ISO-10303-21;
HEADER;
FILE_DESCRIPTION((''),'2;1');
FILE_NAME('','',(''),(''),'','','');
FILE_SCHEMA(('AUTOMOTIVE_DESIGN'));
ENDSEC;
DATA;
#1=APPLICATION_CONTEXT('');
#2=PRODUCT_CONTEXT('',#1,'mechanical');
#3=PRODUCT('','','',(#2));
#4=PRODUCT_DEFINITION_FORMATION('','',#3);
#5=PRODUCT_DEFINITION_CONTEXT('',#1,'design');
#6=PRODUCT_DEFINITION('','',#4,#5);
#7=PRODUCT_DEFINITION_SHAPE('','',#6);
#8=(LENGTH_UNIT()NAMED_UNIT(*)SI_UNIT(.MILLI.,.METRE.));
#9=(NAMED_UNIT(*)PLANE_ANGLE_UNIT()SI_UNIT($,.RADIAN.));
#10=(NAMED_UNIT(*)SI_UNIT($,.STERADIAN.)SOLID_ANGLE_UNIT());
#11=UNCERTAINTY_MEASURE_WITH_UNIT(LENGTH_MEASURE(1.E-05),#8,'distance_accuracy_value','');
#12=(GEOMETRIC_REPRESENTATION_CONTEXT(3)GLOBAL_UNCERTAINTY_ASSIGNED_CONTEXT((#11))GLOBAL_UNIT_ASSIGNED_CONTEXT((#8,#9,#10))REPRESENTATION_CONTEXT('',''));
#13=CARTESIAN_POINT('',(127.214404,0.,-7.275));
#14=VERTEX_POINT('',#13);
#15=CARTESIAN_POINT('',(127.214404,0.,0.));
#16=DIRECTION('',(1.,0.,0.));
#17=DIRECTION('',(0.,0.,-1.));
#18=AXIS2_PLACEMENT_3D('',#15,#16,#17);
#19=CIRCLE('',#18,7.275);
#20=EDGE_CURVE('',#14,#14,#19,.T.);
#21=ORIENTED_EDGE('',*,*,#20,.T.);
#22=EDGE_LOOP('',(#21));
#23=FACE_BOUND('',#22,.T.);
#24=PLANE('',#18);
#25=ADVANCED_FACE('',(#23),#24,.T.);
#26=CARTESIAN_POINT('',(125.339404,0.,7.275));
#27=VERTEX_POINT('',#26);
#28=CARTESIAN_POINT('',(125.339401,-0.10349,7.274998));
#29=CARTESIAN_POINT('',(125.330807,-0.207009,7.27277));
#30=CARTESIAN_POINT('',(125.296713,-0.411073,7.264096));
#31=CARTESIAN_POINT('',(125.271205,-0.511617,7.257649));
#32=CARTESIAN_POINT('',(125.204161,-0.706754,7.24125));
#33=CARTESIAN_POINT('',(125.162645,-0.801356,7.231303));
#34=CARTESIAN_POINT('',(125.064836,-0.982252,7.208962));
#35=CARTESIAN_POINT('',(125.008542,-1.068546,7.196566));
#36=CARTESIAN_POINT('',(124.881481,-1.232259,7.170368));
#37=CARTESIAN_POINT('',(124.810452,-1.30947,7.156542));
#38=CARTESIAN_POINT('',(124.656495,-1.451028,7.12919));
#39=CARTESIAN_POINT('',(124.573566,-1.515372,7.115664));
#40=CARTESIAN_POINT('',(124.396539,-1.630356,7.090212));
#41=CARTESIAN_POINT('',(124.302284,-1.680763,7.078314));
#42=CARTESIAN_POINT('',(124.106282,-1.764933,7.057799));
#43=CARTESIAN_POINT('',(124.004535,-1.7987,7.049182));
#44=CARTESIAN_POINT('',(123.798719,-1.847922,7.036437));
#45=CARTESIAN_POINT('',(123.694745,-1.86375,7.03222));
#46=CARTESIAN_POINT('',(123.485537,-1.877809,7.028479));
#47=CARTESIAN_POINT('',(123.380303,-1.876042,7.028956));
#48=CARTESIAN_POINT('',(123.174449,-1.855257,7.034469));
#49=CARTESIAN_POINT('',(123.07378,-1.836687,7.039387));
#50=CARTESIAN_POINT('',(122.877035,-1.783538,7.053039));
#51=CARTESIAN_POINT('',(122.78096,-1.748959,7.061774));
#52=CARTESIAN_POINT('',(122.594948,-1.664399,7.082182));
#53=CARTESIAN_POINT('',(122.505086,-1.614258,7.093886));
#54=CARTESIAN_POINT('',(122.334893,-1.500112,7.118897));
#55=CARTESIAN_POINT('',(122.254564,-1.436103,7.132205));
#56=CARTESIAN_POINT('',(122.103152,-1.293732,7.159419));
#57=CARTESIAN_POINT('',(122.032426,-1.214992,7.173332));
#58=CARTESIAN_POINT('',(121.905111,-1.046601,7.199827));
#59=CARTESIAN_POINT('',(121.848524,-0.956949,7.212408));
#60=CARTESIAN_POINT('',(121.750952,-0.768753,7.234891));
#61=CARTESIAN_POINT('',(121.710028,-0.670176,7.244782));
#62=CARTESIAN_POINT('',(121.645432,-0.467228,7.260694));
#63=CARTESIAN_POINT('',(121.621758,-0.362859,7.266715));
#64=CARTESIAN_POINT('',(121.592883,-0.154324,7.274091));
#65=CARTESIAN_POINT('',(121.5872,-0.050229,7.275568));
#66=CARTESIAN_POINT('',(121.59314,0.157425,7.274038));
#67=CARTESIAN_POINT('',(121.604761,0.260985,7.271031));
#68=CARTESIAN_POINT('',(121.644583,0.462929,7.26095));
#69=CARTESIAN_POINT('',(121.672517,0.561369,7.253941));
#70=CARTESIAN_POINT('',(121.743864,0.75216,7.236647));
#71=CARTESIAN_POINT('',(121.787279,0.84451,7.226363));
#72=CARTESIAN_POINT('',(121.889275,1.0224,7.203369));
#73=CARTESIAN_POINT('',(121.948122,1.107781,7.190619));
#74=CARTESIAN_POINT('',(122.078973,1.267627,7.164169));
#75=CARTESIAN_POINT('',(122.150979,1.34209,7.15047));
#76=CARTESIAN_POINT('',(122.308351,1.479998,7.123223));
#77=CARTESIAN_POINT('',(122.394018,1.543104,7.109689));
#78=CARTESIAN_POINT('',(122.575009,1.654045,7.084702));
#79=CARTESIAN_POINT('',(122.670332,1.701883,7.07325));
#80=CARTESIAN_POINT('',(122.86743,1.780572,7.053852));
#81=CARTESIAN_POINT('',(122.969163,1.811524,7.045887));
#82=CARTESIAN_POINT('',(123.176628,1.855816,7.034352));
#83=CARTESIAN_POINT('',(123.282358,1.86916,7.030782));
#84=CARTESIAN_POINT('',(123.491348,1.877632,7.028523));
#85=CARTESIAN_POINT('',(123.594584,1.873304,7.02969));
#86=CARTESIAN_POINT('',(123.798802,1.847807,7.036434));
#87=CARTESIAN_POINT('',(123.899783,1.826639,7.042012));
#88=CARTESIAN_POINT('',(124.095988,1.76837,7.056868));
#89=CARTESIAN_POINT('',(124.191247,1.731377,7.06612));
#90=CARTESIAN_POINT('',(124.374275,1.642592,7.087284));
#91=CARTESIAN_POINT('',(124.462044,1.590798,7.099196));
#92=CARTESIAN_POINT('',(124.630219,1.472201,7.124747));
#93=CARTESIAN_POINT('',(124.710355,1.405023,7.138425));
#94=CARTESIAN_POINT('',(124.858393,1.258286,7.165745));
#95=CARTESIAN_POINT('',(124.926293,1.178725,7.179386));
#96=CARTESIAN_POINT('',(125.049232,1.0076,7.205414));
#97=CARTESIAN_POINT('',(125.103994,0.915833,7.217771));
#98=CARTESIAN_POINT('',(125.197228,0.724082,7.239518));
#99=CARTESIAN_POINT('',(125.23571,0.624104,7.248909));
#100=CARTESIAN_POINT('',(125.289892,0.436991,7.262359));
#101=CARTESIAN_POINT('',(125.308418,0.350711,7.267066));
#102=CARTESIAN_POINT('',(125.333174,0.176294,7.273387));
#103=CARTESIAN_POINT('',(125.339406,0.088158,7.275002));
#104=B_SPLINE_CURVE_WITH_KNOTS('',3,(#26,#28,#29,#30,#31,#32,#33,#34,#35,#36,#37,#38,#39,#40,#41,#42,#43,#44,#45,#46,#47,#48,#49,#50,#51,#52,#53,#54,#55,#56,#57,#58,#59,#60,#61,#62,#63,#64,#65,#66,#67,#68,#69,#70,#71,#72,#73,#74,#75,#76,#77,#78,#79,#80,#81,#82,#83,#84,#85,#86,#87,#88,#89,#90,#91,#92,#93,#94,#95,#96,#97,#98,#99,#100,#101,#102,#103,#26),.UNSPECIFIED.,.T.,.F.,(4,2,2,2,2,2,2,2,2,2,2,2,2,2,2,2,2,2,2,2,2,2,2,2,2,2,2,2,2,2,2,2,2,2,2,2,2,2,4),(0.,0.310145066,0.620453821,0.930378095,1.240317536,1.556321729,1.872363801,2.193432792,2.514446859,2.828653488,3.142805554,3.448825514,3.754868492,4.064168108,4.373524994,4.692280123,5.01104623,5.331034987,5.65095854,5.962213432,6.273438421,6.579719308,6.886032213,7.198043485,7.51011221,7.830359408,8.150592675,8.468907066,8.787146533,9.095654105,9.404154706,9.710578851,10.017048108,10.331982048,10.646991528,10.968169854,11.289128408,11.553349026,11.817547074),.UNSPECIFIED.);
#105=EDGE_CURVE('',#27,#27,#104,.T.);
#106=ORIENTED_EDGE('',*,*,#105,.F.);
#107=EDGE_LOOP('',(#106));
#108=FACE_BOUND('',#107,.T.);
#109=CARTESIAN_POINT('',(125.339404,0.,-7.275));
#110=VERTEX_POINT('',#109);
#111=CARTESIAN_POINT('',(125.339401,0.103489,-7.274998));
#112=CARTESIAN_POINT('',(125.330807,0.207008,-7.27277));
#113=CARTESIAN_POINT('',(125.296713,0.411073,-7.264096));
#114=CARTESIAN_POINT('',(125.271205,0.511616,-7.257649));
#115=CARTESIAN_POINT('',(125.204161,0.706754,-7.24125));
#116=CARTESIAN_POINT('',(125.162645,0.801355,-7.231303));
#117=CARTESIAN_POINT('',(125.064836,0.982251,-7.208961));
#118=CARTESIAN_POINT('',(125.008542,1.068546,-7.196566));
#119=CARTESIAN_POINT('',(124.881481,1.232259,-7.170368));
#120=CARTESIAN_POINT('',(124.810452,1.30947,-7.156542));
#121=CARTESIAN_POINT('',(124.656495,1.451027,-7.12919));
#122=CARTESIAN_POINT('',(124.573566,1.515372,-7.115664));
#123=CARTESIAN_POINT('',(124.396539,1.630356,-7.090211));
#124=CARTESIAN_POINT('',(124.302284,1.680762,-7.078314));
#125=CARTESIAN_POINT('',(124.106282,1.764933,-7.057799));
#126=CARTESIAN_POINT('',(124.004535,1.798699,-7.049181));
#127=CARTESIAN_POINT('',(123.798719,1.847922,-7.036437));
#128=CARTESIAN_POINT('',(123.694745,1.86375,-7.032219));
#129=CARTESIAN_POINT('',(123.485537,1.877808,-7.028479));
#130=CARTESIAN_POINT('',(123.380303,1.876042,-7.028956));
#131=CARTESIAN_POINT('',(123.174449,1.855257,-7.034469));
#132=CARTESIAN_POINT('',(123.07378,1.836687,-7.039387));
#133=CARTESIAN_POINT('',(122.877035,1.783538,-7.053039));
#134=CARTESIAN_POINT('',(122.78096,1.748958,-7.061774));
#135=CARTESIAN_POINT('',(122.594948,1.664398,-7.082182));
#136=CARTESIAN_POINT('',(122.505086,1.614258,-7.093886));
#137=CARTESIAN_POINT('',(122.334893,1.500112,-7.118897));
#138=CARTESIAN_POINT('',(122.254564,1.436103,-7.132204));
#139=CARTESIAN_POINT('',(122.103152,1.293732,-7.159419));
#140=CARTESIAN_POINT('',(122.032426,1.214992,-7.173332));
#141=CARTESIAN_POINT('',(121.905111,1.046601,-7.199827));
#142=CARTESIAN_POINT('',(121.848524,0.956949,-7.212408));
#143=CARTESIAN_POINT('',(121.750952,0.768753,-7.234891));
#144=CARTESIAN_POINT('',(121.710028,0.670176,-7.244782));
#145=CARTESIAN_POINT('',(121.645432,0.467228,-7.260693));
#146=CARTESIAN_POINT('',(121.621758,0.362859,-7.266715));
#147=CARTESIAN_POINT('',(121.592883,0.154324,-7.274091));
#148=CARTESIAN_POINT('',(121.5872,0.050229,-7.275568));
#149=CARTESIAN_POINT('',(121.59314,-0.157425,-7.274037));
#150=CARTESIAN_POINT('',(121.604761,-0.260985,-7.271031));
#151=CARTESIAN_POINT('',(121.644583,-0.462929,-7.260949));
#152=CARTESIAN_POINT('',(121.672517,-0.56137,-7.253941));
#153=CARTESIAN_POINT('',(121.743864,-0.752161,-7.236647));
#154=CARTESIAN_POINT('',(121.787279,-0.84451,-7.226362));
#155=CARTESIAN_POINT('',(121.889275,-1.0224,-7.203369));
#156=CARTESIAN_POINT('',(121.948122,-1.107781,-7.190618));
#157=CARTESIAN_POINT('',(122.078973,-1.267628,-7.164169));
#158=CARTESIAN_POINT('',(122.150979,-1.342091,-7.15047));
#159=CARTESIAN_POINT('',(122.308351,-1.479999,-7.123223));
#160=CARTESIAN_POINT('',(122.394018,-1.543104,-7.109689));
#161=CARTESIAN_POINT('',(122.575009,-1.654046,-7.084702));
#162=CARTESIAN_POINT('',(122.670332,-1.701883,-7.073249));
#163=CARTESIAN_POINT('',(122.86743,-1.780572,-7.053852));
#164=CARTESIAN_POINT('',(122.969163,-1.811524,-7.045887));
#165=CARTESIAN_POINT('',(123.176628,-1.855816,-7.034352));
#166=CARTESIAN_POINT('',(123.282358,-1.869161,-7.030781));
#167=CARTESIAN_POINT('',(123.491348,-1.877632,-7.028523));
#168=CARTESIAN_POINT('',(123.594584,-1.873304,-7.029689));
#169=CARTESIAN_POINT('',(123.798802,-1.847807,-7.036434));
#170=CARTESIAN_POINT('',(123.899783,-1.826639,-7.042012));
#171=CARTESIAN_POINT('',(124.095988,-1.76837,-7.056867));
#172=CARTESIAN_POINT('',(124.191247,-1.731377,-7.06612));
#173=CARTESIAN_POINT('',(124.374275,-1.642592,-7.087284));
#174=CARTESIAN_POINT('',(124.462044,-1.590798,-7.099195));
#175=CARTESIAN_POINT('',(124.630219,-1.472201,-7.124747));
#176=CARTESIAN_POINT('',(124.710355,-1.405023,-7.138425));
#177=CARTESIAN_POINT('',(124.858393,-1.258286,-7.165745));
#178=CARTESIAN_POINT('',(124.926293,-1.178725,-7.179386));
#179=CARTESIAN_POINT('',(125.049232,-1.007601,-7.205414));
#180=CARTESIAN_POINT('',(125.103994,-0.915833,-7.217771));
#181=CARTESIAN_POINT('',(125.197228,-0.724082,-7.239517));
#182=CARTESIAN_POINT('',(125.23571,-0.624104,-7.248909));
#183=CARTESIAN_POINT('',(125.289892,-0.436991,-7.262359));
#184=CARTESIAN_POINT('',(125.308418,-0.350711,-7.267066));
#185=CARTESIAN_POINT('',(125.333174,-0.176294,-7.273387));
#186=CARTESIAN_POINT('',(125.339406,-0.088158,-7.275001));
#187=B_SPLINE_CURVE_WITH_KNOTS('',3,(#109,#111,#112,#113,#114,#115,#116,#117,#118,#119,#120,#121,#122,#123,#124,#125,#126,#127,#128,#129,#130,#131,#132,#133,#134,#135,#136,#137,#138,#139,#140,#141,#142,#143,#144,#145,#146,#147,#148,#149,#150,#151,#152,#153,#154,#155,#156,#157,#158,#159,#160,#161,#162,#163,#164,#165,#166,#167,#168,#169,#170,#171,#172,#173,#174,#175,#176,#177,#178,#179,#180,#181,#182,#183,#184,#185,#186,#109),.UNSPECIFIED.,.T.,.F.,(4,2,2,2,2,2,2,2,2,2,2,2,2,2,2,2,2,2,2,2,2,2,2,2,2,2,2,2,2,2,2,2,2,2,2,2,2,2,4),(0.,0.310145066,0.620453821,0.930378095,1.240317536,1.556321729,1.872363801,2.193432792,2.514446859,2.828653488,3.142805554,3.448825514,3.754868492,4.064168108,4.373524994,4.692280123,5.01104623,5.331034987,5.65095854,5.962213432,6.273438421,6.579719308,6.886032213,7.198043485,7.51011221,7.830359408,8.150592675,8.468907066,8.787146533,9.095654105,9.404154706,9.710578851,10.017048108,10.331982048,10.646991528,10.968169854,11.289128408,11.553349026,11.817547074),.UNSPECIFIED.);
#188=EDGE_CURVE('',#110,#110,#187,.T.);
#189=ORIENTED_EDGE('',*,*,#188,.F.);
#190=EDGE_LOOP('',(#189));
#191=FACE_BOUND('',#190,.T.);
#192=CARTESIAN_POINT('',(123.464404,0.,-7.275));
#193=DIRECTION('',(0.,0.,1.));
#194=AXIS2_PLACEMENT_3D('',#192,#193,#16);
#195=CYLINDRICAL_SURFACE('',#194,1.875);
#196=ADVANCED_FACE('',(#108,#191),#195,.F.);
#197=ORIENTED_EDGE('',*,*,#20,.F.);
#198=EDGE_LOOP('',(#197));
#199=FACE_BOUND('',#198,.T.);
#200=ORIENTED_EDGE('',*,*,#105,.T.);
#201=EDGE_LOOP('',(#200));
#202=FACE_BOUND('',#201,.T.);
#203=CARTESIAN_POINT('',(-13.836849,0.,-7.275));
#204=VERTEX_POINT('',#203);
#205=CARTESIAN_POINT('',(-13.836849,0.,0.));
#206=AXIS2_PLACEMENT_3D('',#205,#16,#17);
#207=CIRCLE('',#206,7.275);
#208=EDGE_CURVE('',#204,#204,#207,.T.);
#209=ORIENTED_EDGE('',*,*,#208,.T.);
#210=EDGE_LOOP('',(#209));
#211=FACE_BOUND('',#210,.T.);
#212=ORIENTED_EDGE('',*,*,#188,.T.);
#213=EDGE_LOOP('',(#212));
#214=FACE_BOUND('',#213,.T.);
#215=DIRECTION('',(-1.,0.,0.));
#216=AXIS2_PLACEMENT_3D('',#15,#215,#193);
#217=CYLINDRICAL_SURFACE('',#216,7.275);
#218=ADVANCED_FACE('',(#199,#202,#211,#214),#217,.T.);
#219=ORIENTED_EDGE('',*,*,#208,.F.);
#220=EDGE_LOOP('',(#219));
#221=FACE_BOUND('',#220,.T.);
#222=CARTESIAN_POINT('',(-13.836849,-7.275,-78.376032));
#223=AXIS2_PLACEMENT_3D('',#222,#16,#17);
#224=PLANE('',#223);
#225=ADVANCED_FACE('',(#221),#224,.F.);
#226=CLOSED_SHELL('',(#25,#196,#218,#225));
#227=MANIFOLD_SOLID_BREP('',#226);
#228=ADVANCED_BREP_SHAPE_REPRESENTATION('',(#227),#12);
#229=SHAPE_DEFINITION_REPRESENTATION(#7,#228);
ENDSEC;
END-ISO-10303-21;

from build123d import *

# Parameters (mm, degrees)
SKETCH1_R               = 4.85
BOSS_EXTRUDE1_DEPTH     = 103.5535633
CUT_EXTRUDE1_DEPTH      = 104.780467681
CUT_EXTRUDE1_DEPTH_BACK = 104.780467681
SKETCH2_R               = 1.25
CUT_EXTRUDE2_DEPTH      = 104.78046779
CUT_EXTRUDE2_DEPTH_BACK = 104.78046779
SKETCH3_W               = 42.028968594
SKETCH3_H               = 71.494930271
SCALE1_SCALE            = 1.5


with BuildPart() as part:
    # Sketch1 → Boss-Extrude1 (new body)
    with BuildSketch(Plane(origin=(0, 0, 0), x_dir=(0, 0, -1), z_dir=(1, 0, 0))):
        Circle(SKETCH1_R)
    extrude(amount=BOSS_EXTRUDE1_DEPTH)

    # Sketch2 → Cut-Extrude1 (cut, two sides: drawn at the far end of the back side and taken through both)
    with BuildSketch(Plane.XY.offset(-CUT_EXTRUDE1_DEPTH_BACK)):
        with Locations((101.0535633, 0)):
            Circle(SKETCH2_R)
    extrude(amount=CUT_EXTRUDE1_DEPTH + CUT_EXTRUDE1_DEPTH_BACK, mode=Mode.SUBTRACT)

    # Sketch3 → Cut-Extrude2 (cut, two sides: drawn at the far end of the back side and taken through both)
    with BuildSketch(Plane(origin=(0, 0, 0), x_dir=(1, 0, 0), z_dir=(0, 1, 0)).offset(-CUT_EXTRUDE2_DEPTH_BACK)):
        with Locations((-11.495089548, 16.503222723)):
            Rectangle(SKETCH3_W, SKETCH3_H)
    extrude(amount=CUT_EXTRUDE2_DEPTH + CUT_EXTRUDE2_DEPTH_BACK, mode=Mode.SUBTRACT)


with BuildPart() as part_1:
    # Scale1: scaled about (56.231945049, 6e-09, 2.83e-07)
    add(part.part.scale(SCALE1_SCALE).moved(Location((-28.115972524, -3e-09, -1.41e-07))))


solid = part_1.part
